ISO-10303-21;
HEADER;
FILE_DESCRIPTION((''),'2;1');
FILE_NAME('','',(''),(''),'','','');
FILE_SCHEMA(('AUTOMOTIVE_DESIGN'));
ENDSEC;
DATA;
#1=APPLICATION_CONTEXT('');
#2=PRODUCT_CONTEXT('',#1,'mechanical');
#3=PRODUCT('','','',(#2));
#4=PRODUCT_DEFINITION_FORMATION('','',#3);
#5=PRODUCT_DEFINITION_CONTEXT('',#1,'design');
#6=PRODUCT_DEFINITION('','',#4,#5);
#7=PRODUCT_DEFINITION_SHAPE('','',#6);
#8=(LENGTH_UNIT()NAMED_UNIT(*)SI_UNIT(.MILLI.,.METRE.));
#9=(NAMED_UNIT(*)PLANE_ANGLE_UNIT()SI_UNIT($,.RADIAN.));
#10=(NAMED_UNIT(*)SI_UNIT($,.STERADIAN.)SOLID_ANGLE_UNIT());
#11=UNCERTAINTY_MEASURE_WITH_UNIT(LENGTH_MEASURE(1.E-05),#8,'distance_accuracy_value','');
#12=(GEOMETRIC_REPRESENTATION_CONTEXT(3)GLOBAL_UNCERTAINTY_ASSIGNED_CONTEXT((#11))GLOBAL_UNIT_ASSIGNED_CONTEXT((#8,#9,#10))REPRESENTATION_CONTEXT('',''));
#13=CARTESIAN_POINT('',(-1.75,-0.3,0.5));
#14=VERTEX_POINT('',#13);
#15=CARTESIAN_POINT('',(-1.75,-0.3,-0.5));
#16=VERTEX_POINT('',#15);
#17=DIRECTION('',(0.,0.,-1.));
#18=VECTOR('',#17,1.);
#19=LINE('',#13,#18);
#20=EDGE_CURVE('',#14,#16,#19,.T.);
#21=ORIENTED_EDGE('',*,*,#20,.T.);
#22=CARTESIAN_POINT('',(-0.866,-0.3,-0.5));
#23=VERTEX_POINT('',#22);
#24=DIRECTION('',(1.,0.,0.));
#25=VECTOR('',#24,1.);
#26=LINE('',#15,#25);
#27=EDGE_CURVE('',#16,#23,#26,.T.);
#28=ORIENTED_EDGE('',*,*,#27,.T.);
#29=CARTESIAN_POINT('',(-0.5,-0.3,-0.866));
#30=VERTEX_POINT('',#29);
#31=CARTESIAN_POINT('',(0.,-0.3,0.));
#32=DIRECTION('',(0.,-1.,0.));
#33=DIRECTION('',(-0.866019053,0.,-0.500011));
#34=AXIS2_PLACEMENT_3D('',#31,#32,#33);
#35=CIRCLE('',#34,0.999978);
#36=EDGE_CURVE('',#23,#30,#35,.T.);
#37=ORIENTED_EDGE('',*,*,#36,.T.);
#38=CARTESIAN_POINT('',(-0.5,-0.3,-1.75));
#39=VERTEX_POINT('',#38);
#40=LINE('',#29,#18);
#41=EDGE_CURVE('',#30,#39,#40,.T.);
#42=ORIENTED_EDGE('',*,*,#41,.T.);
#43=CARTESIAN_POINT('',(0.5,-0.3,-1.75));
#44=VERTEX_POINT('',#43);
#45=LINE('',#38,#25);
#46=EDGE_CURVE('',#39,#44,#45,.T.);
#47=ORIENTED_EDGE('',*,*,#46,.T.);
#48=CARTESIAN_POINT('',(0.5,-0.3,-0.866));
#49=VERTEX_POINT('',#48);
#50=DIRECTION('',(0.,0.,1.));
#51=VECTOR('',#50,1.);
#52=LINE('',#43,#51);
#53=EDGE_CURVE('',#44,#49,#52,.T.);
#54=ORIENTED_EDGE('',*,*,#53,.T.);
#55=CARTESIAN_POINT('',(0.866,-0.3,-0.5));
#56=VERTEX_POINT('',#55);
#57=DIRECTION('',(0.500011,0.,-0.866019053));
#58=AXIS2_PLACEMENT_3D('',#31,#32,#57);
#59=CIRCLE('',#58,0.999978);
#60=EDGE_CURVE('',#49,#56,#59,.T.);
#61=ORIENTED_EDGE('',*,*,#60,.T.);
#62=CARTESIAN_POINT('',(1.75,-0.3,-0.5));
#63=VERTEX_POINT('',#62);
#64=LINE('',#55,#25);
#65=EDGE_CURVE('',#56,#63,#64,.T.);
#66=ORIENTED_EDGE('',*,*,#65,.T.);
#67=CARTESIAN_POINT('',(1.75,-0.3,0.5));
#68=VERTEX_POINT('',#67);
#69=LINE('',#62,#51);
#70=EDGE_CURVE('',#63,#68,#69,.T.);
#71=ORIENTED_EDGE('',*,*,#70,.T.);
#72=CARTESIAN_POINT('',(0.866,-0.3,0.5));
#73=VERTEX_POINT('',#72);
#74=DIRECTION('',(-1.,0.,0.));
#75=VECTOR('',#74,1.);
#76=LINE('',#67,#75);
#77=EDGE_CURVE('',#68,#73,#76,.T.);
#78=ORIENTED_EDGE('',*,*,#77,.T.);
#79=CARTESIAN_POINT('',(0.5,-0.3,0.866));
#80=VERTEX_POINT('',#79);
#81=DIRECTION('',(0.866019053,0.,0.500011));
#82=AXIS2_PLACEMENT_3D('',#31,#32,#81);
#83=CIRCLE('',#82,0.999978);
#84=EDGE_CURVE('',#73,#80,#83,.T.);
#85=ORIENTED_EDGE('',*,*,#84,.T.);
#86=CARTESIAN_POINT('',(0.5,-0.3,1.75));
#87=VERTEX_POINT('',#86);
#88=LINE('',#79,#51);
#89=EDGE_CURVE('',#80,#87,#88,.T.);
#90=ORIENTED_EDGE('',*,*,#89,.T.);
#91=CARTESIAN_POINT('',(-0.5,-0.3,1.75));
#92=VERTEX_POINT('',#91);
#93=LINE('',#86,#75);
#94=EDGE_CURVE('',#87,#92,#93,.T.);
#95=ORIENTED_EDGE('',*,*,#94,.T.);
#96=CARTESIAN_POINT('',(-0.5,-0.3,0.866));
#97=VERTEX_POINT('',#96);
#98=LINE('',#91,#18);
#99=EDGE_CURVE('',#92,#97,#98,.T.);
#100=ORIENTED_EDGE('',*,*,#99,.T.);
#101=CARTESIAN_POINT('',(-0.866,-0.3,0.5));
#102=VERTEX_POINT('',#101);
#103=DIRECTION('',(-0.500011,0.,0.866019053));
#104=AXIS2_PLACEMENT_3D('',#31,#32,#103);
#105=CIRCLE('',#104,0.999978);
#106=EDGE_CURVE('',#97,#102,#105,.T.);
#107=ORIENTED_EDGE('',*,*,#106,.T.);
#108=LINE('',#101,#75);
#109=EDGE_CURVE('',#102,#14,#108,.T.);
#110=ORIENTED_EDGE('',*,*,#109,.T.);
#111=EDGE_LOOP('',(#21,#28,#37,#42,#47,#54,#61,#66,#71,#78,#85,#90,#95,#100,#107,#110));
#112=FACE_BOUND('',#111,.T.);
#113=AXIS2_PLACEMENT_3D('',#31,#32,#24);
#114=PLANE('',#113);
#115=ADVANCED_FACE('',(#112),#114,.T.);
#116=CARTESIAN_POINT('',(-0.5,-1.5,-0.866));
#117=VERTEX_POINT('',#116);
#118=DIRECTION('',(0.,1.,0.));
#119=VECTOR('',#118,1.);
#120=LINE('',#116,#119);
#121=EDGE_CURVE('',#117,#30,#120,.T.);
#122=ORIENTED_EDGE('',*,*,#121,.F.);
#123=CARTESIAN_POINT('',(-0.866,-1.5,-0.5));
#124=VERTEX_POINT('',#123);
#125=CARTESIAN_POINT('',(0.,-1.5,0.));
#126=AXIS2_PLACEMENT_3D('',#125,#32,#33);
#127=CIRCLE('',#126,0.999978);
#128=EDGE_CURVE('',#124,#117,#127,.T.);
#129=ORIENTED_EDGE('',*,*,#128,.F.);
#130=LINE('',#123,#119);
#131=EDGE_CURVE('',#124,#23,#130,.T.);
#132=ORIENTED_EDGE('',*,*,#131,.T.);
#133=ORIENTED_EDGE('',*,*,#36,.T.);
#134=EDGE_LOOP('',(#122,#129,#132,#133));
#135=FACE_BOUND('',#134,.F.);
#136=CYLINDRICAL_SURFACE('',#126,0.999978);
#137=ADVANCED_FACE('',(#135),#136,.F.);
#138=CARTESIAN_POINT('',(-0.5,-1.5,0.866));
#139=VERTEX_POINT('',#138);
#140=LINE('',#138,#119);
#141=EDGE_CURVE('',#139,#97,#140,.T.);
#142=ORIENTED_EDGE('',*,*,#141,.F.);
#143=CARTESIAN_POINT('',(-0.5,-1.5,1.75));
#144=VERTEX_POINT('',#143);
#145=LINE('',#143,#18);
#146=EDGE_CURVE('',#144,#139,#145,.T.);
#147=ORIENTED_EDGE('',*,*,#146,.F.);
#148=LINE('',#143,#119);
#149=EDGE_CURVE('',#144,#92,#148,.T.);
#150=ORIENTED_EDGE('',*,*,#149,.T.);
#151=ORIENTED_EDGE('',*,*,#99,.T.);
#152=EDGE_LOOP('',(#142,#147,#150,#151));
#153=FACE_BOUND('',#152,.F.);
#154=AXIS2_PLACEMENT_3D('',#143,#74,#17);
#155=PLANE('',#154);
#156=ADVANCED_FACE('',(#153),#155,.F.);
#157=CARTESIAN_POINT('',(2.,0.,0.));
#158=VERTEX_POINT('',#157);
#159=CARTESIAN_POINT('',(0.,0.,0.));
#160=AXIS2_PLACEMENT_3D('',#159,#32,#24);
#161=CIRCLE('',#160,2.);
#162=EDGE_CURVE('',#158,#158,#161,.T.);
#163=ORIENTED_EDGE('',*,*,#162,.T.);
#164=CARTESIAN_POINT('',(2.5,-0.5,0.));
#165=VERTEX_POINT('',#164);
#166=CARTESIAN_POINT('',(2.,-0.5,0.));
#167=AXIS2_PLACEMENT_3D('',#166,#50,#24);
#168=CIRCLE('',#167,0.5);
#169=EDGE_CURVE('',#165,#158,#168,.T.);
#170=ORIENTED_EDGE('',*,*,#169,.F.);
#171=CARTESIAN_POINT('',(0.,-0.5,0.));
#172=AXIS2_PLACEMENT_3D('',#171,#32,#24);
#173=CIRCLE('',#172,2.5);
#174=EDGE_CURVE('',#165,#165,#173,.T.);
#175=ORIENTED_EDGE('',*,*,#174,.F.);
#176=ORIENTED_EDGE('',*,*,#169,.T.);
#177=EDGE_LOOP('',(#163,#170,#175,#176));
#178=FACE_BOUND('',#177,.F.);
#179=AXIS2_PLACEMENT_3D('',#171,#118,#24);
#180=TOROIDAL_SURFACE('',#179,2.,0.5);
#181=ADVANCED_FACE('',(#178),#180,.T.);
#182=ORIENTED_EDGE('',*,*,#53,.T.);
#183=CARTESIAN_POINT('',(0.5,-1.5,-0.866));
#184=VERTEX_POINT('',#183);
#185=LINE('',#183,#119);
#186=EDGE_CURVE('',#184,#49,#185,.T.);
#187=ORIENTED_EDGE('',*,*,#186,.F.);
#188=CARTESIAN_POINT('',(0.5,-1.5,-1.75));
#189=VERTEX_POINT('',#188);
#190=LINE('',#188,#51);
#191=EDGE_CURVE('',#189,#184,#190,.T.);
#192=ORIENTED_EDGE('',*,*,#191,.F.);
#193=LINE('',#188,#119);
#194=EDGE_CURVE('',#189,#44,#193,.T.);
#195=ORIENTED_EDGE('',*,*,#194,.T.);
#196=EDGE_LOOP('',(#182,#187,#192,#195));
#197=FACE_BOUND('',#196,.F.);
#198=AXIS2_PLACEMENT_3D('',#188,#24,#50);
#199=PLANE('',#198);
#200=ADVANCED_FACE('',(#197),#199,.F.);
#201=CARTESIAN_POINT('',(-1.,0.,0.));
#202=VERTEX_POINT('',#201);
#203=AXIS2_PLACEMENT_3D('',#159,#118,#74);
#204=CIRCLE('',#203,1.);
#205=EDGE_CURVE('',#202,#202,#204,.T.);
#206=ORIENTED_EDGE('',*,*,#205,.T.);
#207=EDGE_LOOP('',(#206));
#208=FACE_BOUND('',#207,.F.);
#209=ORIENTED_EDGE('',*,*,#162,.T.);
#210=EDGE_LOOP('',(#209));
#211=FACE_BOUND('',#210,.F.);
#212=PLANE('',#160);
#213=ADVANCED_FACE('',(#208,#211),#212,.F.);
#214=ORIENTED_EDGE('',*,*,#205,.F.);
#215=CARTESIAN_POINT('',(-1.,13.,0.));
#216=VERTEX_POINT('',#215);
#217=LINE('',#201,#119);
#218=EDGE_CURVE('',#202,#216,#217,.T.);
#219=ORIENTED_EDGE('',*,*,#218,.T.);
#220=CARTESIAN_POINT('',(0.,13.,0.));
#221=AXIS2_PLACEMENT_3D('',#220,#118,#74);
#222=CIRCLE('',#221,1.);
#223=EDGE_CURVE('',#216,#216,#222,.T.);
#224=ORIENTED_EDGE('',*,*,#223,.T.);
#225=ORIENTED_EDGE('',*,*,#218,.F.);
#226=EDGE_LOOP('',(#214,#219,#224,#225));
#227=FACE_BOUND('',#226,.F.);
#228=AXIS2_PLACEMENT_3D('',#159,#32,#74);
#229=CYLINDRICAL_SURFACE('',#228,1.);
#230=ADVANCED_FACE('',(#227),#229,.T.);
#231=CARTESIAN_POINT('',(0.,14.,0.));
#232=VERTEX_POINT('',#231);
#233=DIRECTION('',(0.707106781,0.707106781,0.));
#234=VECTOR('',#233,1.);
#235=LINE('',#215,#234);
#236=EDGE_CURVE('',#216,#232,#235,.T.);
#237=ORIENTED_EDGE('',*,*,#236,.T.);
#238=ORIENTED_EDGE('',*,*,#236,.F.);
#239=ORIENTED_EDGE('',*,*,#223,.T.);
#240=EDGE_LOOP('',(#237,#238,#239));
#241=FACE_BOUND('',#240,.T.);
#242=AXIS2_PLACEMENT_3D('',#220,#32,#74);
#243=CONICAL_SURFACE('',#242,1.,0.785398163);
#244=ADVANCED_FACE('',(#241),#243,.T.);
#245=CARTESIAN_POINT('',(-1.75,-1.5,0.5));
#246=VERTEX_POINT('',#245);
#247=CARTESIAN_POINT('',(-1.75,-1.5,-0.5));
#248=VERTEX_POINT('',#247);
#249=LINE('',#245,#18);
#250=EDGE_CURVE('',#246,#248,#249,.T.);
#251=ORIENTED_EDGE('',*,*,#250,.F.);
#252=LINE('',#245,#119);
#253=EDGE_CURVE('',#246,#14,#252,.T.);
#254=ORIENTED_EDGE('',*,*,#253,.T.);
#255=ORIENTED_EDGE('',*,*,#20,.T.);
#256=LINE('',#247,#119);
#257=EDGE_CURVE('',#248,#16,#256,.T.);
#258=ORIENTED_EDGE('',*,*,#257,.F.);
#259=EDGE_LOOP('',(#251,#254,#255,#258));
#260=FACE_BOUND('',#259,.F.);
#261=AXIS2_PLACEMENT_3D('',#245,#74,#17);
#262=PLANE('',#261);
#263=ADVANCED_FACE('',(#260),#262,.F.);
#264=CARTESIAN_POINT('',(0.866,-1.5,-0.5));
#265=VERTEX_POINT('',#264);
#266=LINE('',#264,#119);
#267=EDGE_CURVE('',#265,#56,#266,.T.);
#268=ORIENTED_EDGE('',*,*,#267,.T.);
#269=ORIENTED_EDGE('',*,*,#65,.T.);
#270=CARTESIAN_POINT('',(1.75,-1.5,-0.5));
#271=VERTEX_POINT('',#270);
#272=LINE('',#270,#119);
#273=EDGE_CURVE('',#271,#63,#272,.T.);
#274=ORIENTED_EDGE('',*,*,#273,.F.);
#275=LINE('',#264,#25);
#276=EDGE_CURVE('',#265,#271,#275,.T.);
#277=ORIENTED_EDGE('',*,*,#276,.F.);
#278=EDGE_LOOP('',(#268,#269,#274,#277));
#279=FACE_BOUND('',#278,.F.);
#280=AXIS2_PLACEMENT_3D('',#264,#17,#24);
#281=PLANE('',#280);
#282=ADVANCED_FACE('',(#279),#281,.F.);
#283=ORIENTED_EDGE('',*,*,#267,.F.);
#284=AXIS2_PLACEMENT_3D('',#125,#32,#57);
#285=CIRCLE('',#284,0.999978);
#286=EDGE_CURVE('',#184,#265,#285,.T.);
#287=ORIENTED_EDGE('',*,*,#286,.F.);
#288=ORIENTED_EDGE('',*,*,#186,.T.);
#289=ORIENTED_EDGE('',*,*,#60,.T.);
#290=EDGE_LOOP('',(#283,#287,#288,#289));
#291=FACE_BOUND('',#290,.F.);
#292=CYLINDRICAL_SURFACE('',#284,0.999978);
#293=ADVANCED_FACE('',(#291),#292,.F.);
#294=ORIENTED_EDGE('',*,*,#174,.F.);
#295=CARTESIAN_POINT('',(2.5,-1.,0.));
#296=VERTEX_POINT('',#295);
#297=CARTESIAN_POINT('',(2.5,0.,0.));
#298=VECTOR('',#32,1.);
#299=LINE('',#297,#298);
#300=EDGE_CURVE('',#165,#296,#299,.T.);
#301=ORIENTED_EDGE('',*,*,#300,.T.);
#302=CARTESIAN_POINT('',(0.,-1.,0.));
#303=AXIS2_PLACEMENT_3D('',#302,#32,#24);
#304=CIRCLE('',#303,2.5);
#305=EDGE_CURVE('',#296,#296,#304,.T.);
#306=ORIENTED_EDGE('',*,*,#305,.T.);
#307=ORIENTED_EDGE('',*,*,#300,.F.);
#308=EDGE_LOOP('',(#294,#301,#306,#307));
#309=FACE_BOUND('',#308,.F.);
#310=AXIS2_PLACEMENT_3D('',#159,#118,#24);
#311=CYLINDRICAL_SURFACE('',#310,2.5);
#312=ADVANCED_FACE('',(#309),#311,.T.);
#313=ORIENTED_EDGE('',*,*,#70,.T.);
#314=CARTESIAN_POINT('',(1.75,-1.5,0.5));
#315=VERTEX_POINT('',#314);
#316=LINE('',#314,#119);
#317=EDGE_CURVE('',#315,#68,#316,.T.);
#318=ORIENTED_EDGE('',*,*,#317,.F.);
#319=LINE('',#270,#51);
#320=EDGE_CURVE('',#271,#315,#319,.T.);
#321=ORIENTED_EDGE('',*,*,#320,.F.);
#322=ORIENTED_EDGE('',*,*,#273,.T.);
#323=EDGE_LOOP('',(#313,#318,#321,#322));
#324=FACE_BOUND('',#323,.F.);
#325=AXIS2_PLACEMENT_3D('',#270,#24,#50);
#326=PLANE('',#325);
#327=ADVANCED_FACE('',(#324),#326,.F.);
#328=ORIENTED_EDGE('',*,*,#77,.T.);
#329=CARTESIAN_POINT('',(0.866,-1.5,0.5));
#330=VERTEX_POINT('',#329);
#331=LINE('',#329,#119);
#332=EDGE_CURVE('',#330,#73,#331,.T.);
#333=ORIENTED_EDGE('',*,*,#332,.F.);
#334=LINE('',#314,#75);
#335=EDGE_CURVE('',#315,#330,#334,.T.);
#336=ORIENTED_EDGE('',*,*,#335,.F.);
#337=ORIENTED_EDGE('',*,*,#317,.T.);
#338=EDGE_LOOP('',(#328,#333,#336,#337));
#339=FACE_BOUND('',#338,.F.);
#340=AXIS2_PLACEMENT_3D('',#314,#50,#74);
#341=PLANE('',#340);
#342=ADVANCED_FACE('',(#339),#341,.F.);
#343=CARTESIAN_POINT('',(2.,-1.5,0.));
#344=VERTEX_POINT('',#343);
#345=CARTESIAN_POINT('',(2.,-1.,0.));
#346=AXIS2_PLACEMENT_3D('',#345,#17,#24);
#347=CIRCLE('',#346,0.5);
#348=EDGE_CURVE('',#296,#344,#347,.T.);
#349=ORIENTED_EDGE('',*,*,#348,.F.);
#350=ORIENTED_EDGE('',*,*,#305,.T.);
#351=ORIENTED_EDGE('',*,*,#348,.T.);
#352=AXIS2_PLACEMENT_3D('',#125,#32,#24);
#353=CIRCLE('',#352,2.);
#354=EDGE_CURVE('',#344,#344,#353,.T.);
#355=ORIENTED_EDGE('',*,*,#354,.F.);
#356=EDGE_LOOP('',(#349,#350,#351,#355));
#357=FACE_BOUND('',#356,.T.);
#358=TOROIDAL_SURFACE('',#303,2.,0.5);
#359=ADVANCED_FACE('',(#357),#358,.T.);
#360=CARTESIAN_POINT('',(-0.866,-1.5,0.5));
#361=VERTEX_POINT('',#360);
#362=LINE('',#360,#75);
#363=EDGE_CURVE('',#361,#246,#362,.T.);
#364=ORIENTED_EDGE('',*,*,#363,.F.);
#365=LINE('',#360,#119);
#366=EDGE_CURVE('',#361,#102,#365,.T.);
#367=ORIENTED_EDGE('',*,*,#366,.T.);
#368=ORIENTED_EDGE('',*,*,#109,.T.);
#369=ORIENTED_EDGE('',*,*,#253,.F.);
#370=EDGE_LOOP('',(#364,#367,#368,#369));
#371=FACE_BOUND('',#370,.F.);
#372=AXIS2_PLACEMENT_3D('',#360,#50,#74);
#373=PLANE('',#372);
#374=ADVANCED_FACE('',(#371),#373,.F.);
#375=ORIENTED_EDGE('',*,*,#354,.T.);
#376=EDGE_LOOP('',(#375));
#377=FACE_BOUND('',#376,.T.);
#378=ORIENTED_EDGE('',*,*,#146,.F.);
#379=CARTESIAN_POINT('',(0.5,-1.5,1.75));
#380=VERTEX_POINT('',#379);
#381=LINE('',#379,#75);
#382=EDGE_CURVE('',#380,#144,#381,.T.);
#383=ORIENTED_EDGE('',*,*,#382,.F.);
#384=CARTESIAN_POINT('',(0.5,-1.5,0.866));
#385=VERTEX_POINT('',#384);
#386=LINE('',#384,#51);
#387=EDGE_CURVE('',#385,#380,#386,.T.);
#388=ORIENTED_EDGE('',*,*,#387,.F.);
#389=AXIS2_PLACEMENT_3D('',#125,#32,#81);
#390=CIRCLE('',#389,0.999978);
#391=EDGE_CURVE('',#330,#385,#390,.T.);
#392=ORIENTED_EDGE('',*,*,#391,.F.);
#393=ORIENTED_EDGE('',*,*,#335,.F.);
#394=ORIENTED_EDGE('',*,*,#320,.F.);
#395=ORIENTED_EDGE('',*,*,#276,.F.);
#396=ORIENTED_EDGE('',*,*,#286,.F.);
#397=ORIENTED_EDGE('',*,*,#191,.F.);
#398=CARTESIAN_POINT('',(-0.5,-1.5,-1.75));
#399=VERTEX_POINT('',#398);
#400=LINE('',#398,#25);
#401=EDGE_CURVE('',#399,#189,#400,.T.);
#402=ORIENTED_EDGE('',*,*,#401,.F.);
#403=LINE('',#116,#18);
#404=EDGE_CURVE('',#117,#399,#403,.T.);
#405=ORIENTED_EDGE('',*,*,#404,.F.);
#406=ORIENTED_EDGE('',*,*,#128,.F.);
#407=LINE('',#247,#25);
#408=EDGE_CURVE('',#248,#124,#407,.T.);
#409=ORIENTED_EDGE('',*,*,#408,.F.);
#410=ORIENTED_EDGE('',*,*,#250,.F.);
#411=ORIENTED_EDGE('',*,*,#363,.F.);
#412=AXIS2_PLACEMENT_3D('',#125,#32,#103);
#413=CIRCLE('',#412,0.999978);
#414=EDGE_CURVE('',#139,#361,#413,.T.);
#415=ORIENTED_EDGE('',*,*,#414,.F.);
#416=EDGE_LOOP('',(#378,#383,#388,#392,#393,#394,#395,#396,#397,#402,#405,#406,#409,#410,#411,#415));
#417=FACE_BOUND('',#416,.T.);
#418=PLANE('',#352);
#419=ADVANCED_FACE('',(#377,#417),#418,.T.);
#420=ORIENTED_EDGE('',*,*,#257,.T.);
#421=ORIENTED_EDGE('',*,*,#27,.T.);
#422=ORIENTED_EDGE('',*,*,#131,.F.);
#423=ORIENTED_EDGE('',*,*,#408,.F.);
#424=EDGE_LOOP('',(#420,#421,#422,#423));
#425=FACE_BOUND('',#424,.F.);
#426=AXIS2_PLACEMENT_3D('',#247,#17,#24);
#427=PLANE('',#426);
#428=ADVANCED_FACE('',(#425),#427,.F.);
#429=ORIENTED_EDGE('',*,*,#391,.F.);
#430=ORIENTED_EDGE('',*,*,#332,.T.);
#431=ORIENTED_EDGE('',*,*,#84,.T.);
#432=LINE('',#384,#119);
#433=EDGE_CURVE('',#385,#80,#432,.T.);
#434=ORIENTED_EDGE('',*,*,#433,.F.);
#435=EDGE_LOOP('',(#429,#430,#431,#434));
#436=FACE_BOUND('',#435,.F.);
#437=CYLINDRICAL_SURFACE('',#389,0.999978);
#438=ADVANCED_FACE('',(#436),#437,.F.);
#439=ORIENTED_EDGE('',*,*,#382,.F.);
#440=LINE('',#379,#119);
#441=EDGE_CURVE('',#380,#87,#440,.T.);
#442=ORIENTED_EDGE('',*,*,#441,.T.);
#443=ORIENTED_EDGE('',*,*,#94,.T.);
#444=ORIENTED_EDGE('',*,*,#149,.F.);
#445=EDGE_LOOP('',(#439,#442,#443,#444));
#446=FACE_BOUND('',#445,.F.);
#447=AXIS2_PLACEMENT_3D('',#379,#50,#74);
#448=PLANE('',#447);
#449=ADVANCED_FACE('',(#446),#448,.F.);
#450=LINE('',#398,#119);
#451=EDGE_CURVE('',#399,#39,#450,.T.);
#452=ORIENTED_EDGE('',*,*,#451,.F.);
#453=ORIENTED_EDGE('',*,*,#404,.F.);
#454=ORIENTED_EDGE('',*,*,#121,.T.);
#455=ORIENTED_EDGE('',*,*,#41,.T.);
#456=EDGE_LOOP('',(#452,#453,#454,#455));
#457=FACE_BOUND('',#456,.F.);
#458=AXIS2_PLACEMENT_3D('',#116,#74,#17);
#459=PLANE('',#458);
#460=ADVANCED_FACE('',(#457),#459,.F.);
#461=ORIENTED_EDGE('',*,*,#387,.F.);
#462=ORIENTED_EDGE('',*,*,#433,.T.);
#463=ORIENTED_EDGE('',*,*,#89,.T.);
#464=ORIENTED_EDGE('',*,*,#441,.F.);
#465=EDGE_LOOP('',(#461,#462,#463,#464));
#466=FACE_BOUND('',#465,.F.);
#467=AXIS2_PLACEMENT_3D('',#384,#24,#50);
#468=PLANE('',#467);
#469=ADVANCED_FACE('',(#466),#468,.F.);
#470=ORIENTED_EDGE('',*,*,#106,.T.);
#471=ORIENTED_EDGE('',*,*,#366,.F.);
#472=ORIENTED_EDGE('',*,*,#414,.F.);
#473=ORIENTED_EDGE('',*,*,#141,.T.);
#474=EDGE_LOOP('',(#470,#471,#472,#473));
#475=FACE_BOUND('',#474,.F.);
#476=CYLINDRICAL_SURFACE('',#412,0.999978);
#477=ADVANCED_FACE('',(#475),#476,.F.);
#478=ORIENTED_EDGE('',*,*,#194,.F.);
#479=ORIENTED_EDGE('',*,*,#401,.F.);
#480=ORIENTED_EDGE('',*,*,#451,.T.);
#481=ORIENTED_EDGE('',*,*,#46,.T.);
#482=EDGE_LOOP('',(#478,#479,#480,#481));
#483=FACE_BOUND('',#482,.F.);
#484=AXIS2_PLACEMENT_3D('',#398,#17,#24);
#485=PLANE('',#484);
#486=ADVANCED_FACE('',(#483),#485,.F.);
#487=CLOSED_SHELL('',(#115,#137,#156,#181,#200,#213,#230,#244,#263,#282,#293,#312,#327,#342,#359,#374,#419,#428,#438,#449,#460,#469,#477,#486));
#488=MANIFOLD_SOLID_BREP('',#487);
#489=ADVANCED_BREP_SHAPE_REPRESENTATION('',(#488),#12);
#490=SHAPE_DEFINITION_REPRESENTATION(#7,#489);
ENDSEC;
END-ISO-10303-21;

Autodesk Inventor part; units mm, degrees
ref_plane "YZ Plane" through (0, 0, 0) normal (1, 0, 0) x (0, 1, 0)
ref_plane "XZ Plane" through (0, 0, 0) normal (0, 1, 0) x (-1, 0, 0)
ref_plane "XY Plane" through (0, 0, 0) normal (0, 0, 1) x (1, 0, 0)
sketch "Sketch1" plane through (0, 0, 0) normal (0, 1, 0) x (-1, 0, 0)
  circle A0 centre (0, 0) radius 1
  dimension "d0" = 2
extrude "Extrusion1" add sketch "Sketch1" along normal blind 14
sketch "Sketch2" plane through (0, 0, 0) normal (0, -1, 0) x (1, 0, 0)
  circle A0 centre (0, 0) radius 2.5
extrude "Extrusion2" add sketch "Sketch2" along normal blind 1.5
fillet "Fillet1" radius 0.5 2 edges at (-2.5, -1.5, 0) (-2.5, 0, 0)
sketch "Sketch3" plane through (0, -1.5, 0) normal (0, -1, 0) x (1, 0, 0)
  line L0 (1.75, -0.5) -> (1.75, 0.5)
  line L1 (-1.75, 0.5) -> (-1.75, -0.5)
  line L2 (0.5, 1.75) -> (-0.5, 1.75)
  line L3 (-0.5, -1.75) -> (0.5, -1.75)
  line L4 (1.75, 0.5) -> (0.866, 0.5)
  line L5 (-0.866, 0.5) -> (-1.75, 0.5)
  line L6 (-0.5, 1.75) -> (-0.5, 0.866)
  line L7 (-0.5, -0.866) -> (-0.5, -1.75)
  line L8 (0.5, 0.866) -> (0.5, 1.75)
  line L9 (-1.75, -0.5) -> (-0.866, -0.5)
  line L10 (0.866, -0.5) -> (1.75, -0.5)
  line L11 (0.5, -1.75) -> (0.5, -0.866)
  arc A0 (-0.5, 0.866) -> (-0.866, 0.5) centre (0, 0) ccw
  arc A1 (0.866, 0.5) -> (0.5, 0.866) centre (0, 0) ccw
  arc A2 (-0.866, -0.5) -> (-0.5, -0.866) centre (0, 0) ccw
  arc A3 (0.5, -0.866) -> (0.866, -0.5) centre (0, 0) ccw
extrude "Extrusion3" cut sketch "Sketch3" against normal blind 1.2
chamfer "Chamfer1" distance 1 angle 45 1 edges at (1, 14, 0)
thread "Thread1" size "M2x0.25" class "6g" standard "ANSI Metric M Profile" full length
properties part number "parafuso interno da ponte"
